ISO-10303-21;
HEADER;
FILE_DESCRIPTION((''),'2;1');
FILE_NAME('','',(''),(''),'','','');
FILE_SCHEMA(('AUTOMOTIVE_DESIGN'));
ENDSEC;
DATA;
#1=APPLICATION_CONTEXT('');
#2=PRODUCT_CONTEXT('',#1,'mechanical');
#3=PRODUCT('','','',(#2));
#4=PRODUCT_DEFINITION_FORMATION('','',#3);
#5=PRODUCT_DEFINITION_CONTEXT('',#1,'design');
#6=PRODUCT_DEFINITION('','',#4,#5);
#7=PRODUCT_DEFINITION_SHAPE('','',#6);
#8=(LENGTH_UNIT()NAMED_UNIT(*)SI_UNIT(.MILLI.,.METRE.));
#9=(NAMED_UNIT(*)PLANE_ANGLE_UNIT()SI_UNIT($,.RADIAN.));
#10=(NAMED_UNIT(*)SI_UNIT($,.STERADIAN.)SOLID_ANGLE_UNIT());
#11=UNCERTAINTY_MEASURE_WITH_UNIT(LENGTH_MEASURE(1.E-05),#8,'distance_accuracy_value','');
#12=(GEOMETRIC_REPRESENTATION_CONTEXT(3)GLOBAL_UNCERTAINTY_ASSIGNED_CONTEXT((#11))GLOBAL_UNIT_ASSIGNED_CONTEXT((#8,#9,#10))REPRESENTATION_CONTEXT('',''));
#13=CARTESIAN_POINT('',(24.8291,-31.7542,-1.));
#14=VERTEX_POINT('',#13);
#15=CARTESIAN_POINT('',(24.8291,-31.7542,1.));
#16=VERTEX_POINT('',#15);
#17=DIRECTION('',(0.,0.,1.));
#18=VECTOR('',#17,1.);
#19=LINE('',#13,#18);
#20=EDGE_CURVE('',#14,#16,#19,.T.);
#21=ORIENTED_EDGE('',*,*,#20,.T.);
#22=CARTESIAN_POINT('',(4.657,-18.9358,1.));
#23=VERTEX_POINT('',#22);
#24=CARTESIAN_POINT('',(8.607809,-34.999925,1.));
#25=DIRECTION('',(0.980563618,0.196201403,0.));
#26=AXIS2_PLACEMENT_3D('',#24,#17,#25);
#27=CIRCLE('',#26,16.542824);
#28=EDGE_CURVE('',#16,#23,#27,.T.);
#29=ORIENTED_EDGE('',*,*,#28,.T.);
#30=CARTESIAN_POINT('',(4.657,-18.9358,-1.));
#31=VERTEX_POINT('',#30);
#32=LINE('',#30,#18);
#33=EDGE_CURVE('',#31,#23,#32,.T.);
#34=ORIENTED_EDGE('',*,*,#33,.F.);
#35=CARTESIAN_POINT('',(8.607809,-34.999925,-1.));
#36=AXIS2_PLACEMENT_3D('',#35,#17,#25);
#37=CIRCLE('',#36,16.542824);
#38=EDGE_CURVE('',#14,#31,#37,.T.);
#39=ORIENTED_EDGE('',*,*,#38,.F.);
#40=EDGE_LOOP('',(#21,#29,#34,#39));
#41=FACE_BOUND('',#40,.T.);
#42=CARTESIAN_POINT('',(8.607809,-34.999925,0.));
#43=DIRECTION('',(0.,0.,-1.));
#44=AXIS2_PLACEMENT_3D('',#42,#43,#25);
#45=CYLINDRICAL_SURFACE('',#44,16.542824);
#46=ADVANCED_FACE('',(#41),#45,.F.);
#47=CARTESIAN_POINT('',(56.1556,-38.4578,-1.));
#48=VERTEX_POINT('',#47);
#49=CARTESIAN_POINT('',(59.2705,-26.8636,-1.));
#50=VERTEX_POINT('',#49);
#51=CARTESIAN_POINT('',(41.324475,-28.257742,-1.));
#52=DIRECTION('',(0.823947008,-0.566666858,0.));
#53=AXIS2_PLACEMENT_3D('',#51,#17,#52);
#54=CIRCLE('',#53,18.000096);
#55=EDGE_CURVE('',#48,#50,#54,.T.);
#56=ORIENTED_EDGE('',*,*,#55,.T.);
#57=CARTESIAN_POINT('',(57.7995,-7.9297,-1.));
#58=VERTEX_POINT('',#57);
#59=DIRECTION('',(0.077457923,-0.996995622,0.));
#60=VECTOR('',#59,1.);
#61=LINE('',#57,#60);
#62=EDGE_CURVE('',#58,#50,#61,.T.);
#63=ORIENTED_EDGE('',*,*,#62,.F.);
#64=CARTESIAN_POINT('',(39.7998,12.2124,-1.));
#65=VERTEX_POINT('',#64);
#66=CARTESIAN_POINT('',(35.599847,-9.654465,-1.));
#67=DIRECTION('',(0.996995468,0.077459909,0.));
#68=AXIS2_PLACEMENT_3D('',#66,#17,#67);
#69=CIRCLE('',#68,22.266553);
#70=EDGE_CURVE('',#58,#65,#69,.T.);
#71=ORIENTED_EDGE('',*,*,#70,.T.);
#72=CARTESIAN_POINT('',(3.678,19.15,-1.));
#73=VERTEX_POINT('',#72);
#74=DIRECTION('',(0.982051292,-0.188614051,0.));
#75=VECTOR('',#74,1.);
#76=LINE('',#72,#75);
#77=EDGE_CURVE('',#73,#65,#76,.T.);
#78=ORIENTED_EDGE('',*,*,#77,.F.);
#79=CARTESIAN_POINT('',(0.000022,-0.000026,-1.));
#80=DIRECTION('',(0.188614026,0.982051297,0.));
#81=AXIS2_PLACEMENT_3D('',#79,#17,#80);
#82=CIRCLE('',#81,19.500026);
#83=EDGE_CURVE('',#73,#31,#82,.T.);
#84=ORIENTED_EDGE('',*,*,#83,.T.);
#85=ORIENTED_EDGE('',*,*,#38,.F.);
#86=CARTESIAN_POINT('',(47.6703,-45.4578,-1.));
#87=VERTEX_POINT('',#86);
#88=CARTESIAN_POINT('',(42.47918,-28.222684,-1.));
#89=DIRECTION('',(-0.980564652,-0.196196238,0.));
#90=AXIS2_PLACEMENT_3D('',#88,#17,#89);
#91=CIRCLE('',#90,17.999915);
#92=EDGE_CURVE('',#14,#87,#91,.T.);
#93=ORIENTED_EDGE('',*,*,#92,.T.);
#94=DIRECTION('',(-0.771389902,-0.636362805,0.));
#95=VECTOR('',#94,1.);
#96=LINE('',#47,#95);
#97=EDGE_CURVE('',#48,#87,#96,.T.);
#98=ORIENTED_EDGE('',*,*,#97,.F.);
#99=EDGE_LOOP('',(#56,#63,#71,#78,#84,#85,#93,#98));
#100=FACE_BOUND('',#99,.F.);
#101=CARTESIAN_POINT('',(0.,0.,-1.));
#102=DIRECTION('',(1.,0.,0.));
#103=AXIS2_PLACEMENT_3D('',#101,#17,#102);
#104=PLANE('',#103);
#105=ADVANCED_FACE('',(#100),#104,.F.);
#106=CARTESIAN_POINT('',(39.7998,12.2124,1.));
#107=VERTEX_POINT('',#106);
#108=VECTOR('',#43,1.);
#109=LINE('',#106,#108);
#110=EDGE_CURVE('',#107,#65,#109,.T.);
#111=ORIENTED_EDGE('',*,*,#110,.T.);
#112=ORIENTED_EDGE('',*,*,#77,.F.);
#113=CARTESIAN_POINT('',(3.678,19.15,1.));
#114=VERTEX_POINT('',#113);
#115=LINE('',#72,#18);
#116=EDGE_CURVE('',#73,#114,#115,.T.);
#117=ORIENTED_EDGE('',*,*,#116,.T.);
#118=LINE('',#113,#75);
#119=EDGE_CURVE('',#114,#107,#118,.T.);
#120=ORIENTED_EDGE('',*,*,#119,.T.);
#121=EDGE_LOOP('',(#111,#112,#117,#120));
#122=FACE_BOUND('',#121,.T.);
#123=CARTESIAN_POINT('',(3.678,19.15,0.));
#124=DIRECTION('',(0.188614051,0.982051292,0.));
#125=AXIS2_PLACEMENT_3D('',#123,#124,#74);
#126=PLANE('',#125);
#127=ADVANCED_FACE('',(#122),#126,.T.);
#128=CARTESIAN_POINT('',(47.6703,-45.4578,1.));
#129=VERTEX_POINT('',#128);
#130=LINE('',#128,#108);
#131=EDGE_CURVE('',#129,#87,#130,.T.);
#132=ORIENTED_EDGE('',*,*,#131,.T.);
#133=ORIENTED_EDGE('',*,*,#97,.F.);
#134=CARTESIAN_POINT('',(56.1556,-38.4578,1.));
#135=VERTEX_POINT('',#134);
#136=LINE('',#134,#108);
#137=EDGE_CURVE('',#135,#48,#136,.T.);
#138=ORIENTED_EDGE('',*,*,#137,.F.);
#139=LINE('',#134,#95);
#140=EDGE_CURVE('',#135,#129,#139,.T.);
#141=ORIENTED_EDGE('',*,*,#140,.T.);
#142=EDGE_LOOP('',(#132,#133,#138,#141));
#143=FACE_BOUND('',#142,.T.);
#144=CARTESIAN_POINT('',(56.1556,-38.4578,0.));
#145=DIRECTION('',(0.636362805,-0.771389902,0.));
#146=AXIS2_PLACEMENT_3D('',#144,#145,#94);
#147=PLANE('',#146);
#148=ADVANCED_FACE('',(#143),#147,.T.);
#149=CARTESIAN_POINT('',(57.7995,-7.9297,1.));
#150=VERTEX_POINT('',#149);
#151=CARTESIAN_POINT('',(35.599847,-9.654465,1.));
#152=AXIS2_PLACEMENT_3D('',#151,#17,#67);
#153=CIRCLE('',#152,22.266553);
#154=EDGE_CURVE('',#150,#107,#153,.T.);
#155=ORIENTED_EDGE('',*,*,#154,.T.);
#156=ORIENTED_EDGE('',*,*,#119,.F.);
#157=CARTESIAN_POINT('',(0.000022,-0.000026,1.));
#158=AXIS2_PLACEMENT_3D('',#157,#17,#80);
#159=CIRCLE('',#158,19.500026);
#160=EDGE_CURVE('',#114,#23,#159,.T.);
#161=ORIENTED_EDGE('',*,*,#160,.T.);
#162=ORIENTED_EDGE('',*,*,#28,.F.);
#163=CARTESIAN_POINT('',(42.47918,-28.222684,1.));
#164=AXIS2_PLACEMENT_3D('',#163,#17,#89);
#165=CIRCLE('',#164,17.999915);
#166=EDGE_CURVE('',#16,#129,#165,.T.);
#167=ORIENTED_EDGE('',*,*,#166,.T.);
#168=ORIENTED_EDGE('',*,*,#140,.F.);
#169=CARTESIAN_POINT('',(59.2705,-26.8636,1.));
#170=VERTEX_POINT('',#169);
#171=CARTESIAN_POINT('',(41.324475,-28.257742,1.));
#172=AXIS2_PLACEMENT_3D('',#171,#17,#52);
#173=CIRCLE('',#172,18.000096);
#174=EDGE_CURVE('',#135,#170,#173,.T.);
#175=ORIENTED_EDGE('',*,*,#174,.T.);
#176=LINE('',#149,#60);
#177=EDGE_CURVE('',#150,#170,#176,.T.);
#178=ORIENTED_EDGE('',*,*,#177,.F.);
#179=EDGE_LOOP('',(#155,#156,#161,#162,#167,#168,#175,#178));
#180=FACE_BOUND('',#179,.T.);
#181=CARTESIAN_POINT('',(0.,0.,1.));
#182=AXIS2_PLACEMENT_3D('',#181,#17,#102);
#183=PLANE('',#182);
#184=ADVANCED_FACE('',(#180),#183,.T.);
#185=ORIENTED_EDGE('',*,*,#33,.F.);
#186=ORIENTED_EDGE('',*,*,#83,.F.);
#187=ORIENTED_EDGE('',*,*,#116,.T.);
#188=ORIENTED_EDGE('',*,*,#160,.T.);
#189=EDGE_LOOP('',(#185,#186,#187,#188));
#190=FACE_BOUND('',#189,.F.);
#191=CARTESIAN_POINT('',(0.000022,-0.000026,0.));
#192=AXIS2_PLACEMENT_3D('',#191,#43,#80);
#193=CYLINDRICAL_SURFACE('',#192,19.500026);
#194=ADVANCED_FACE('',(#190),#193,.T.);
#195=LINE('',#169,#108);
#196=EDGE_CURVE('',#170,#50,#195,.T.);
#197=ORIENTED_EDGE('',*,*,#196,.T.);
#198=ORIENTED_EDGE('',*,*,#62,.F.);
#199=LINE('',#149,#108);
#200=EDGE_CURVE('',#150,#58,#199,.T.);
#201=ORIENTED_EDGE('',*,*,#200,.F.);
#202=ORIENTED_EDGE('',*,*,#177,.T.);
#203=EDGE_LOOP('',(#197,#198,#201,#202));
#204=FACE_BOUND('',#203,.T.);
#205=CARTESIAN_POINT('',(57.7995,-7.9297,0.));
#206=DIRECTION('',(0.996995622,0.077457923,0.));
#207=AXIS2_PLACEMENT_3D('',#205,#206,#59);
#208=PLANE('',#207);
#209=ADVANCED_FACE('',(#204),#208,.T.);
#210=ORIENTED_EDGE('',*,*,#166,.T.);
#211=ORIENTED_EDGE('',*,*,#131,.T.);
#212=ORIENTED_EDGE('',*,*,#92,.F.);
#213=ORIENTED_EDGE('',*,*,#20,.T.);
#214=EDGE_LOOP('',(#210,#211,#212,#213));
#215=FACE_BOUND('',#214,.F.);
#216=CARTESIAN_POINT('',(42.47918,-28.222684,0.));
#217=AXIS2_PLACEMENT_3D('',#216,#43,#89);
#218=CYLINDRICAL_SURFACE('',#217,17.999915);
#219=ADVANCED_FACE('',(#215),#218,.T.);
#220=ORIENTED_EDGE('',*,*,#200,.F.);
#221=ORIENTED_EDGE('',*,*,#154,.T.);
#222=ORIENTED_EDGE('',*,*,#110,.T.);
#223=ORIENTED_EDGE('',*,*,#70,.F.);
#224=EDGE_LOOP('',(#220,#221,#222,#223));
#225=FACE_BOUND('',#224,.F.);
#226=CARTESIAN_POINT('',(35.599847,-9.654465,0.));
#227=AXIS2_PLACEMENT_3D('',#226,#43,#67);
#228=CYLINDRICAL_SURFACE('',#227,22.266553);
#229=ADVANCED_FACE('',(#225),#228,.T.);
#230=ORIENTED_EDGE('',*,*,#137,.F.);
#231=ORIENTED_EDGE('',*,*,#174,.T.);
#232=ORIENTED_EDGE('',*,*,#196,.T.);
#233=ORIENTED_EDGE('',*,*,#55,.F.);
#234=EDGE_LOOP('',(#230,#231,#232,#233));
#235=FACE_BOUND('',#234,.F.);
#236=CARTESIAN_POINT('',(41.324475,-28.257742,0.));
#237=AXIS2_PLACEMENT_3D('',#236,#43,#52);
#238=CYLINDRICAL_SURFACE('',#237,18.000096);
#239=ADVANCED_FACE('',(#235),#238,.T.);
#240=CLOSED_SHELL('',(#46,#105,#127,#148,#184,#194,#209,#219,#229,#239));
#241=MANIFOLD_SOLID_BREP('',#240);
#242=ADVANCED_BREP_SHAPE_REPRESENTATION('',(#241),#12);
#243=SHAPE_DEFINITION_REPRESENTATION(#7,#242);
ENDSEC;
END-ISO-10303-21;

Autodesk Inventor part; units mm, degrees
sketch "Esboço1" plane through (0, 0, 0) normal (0, 0, 1) x (1, 0, 0)
  arc A0 (3.678, 19.15) -> (4.657, -18.9358) centre (0, 0) ccw
  line L0 (3.678, 19.15) -> (39.7998, 12.2124)
  line L1 (57.7995, -7.9297) -> (59.2705, -26.8636)
  arc A1 (56.1556, -38.4578) -> (59.2705, -26.8636) centre (41.3246, -28.2578) ccw
  arc A2 (24.8291, -31.7542) -> (47.6703, -45.4578) centre (42.4793, -28.2226) ccw
  arc A3 (57.7995, -7.9297) -> (39.7998, 12.2124) centre (35.6, -9.6544) ccw
  line L2 (56.1556, -38.4578) -> (47.6703, -45.4578)
  arc A4 (24.8291, -31.7542) -> (4.657, -18.9358) centre (8.6077, -35) ccw
  point P0 (17.4802, -21.0376)
  point P1 (51.913, -41.9578)
  point P2 (33.2189, -43.6578)
  point P3 (58.7081, -32.928)
  point P4 (58.535, -17.3966)
  dimension "d6" = 19.5
  dimension "d30" = 8.6077
  dimension "d34" = 35
  dimension "d35" = 51
  dimension "d36" = 13.7
  dimension "d37" = 17.2
  dimension "d38" = 15.4
  dimension "d39" = 18
  dimension "d40" = 11
  dimension "d41" = 18
  dimension "d42" = 22.935
  dimension "d43" = 35.6
  dimension "d44" = 19.15
extrude "Extrusão1" add sketch "Esboço1" along normal mid plane 2
